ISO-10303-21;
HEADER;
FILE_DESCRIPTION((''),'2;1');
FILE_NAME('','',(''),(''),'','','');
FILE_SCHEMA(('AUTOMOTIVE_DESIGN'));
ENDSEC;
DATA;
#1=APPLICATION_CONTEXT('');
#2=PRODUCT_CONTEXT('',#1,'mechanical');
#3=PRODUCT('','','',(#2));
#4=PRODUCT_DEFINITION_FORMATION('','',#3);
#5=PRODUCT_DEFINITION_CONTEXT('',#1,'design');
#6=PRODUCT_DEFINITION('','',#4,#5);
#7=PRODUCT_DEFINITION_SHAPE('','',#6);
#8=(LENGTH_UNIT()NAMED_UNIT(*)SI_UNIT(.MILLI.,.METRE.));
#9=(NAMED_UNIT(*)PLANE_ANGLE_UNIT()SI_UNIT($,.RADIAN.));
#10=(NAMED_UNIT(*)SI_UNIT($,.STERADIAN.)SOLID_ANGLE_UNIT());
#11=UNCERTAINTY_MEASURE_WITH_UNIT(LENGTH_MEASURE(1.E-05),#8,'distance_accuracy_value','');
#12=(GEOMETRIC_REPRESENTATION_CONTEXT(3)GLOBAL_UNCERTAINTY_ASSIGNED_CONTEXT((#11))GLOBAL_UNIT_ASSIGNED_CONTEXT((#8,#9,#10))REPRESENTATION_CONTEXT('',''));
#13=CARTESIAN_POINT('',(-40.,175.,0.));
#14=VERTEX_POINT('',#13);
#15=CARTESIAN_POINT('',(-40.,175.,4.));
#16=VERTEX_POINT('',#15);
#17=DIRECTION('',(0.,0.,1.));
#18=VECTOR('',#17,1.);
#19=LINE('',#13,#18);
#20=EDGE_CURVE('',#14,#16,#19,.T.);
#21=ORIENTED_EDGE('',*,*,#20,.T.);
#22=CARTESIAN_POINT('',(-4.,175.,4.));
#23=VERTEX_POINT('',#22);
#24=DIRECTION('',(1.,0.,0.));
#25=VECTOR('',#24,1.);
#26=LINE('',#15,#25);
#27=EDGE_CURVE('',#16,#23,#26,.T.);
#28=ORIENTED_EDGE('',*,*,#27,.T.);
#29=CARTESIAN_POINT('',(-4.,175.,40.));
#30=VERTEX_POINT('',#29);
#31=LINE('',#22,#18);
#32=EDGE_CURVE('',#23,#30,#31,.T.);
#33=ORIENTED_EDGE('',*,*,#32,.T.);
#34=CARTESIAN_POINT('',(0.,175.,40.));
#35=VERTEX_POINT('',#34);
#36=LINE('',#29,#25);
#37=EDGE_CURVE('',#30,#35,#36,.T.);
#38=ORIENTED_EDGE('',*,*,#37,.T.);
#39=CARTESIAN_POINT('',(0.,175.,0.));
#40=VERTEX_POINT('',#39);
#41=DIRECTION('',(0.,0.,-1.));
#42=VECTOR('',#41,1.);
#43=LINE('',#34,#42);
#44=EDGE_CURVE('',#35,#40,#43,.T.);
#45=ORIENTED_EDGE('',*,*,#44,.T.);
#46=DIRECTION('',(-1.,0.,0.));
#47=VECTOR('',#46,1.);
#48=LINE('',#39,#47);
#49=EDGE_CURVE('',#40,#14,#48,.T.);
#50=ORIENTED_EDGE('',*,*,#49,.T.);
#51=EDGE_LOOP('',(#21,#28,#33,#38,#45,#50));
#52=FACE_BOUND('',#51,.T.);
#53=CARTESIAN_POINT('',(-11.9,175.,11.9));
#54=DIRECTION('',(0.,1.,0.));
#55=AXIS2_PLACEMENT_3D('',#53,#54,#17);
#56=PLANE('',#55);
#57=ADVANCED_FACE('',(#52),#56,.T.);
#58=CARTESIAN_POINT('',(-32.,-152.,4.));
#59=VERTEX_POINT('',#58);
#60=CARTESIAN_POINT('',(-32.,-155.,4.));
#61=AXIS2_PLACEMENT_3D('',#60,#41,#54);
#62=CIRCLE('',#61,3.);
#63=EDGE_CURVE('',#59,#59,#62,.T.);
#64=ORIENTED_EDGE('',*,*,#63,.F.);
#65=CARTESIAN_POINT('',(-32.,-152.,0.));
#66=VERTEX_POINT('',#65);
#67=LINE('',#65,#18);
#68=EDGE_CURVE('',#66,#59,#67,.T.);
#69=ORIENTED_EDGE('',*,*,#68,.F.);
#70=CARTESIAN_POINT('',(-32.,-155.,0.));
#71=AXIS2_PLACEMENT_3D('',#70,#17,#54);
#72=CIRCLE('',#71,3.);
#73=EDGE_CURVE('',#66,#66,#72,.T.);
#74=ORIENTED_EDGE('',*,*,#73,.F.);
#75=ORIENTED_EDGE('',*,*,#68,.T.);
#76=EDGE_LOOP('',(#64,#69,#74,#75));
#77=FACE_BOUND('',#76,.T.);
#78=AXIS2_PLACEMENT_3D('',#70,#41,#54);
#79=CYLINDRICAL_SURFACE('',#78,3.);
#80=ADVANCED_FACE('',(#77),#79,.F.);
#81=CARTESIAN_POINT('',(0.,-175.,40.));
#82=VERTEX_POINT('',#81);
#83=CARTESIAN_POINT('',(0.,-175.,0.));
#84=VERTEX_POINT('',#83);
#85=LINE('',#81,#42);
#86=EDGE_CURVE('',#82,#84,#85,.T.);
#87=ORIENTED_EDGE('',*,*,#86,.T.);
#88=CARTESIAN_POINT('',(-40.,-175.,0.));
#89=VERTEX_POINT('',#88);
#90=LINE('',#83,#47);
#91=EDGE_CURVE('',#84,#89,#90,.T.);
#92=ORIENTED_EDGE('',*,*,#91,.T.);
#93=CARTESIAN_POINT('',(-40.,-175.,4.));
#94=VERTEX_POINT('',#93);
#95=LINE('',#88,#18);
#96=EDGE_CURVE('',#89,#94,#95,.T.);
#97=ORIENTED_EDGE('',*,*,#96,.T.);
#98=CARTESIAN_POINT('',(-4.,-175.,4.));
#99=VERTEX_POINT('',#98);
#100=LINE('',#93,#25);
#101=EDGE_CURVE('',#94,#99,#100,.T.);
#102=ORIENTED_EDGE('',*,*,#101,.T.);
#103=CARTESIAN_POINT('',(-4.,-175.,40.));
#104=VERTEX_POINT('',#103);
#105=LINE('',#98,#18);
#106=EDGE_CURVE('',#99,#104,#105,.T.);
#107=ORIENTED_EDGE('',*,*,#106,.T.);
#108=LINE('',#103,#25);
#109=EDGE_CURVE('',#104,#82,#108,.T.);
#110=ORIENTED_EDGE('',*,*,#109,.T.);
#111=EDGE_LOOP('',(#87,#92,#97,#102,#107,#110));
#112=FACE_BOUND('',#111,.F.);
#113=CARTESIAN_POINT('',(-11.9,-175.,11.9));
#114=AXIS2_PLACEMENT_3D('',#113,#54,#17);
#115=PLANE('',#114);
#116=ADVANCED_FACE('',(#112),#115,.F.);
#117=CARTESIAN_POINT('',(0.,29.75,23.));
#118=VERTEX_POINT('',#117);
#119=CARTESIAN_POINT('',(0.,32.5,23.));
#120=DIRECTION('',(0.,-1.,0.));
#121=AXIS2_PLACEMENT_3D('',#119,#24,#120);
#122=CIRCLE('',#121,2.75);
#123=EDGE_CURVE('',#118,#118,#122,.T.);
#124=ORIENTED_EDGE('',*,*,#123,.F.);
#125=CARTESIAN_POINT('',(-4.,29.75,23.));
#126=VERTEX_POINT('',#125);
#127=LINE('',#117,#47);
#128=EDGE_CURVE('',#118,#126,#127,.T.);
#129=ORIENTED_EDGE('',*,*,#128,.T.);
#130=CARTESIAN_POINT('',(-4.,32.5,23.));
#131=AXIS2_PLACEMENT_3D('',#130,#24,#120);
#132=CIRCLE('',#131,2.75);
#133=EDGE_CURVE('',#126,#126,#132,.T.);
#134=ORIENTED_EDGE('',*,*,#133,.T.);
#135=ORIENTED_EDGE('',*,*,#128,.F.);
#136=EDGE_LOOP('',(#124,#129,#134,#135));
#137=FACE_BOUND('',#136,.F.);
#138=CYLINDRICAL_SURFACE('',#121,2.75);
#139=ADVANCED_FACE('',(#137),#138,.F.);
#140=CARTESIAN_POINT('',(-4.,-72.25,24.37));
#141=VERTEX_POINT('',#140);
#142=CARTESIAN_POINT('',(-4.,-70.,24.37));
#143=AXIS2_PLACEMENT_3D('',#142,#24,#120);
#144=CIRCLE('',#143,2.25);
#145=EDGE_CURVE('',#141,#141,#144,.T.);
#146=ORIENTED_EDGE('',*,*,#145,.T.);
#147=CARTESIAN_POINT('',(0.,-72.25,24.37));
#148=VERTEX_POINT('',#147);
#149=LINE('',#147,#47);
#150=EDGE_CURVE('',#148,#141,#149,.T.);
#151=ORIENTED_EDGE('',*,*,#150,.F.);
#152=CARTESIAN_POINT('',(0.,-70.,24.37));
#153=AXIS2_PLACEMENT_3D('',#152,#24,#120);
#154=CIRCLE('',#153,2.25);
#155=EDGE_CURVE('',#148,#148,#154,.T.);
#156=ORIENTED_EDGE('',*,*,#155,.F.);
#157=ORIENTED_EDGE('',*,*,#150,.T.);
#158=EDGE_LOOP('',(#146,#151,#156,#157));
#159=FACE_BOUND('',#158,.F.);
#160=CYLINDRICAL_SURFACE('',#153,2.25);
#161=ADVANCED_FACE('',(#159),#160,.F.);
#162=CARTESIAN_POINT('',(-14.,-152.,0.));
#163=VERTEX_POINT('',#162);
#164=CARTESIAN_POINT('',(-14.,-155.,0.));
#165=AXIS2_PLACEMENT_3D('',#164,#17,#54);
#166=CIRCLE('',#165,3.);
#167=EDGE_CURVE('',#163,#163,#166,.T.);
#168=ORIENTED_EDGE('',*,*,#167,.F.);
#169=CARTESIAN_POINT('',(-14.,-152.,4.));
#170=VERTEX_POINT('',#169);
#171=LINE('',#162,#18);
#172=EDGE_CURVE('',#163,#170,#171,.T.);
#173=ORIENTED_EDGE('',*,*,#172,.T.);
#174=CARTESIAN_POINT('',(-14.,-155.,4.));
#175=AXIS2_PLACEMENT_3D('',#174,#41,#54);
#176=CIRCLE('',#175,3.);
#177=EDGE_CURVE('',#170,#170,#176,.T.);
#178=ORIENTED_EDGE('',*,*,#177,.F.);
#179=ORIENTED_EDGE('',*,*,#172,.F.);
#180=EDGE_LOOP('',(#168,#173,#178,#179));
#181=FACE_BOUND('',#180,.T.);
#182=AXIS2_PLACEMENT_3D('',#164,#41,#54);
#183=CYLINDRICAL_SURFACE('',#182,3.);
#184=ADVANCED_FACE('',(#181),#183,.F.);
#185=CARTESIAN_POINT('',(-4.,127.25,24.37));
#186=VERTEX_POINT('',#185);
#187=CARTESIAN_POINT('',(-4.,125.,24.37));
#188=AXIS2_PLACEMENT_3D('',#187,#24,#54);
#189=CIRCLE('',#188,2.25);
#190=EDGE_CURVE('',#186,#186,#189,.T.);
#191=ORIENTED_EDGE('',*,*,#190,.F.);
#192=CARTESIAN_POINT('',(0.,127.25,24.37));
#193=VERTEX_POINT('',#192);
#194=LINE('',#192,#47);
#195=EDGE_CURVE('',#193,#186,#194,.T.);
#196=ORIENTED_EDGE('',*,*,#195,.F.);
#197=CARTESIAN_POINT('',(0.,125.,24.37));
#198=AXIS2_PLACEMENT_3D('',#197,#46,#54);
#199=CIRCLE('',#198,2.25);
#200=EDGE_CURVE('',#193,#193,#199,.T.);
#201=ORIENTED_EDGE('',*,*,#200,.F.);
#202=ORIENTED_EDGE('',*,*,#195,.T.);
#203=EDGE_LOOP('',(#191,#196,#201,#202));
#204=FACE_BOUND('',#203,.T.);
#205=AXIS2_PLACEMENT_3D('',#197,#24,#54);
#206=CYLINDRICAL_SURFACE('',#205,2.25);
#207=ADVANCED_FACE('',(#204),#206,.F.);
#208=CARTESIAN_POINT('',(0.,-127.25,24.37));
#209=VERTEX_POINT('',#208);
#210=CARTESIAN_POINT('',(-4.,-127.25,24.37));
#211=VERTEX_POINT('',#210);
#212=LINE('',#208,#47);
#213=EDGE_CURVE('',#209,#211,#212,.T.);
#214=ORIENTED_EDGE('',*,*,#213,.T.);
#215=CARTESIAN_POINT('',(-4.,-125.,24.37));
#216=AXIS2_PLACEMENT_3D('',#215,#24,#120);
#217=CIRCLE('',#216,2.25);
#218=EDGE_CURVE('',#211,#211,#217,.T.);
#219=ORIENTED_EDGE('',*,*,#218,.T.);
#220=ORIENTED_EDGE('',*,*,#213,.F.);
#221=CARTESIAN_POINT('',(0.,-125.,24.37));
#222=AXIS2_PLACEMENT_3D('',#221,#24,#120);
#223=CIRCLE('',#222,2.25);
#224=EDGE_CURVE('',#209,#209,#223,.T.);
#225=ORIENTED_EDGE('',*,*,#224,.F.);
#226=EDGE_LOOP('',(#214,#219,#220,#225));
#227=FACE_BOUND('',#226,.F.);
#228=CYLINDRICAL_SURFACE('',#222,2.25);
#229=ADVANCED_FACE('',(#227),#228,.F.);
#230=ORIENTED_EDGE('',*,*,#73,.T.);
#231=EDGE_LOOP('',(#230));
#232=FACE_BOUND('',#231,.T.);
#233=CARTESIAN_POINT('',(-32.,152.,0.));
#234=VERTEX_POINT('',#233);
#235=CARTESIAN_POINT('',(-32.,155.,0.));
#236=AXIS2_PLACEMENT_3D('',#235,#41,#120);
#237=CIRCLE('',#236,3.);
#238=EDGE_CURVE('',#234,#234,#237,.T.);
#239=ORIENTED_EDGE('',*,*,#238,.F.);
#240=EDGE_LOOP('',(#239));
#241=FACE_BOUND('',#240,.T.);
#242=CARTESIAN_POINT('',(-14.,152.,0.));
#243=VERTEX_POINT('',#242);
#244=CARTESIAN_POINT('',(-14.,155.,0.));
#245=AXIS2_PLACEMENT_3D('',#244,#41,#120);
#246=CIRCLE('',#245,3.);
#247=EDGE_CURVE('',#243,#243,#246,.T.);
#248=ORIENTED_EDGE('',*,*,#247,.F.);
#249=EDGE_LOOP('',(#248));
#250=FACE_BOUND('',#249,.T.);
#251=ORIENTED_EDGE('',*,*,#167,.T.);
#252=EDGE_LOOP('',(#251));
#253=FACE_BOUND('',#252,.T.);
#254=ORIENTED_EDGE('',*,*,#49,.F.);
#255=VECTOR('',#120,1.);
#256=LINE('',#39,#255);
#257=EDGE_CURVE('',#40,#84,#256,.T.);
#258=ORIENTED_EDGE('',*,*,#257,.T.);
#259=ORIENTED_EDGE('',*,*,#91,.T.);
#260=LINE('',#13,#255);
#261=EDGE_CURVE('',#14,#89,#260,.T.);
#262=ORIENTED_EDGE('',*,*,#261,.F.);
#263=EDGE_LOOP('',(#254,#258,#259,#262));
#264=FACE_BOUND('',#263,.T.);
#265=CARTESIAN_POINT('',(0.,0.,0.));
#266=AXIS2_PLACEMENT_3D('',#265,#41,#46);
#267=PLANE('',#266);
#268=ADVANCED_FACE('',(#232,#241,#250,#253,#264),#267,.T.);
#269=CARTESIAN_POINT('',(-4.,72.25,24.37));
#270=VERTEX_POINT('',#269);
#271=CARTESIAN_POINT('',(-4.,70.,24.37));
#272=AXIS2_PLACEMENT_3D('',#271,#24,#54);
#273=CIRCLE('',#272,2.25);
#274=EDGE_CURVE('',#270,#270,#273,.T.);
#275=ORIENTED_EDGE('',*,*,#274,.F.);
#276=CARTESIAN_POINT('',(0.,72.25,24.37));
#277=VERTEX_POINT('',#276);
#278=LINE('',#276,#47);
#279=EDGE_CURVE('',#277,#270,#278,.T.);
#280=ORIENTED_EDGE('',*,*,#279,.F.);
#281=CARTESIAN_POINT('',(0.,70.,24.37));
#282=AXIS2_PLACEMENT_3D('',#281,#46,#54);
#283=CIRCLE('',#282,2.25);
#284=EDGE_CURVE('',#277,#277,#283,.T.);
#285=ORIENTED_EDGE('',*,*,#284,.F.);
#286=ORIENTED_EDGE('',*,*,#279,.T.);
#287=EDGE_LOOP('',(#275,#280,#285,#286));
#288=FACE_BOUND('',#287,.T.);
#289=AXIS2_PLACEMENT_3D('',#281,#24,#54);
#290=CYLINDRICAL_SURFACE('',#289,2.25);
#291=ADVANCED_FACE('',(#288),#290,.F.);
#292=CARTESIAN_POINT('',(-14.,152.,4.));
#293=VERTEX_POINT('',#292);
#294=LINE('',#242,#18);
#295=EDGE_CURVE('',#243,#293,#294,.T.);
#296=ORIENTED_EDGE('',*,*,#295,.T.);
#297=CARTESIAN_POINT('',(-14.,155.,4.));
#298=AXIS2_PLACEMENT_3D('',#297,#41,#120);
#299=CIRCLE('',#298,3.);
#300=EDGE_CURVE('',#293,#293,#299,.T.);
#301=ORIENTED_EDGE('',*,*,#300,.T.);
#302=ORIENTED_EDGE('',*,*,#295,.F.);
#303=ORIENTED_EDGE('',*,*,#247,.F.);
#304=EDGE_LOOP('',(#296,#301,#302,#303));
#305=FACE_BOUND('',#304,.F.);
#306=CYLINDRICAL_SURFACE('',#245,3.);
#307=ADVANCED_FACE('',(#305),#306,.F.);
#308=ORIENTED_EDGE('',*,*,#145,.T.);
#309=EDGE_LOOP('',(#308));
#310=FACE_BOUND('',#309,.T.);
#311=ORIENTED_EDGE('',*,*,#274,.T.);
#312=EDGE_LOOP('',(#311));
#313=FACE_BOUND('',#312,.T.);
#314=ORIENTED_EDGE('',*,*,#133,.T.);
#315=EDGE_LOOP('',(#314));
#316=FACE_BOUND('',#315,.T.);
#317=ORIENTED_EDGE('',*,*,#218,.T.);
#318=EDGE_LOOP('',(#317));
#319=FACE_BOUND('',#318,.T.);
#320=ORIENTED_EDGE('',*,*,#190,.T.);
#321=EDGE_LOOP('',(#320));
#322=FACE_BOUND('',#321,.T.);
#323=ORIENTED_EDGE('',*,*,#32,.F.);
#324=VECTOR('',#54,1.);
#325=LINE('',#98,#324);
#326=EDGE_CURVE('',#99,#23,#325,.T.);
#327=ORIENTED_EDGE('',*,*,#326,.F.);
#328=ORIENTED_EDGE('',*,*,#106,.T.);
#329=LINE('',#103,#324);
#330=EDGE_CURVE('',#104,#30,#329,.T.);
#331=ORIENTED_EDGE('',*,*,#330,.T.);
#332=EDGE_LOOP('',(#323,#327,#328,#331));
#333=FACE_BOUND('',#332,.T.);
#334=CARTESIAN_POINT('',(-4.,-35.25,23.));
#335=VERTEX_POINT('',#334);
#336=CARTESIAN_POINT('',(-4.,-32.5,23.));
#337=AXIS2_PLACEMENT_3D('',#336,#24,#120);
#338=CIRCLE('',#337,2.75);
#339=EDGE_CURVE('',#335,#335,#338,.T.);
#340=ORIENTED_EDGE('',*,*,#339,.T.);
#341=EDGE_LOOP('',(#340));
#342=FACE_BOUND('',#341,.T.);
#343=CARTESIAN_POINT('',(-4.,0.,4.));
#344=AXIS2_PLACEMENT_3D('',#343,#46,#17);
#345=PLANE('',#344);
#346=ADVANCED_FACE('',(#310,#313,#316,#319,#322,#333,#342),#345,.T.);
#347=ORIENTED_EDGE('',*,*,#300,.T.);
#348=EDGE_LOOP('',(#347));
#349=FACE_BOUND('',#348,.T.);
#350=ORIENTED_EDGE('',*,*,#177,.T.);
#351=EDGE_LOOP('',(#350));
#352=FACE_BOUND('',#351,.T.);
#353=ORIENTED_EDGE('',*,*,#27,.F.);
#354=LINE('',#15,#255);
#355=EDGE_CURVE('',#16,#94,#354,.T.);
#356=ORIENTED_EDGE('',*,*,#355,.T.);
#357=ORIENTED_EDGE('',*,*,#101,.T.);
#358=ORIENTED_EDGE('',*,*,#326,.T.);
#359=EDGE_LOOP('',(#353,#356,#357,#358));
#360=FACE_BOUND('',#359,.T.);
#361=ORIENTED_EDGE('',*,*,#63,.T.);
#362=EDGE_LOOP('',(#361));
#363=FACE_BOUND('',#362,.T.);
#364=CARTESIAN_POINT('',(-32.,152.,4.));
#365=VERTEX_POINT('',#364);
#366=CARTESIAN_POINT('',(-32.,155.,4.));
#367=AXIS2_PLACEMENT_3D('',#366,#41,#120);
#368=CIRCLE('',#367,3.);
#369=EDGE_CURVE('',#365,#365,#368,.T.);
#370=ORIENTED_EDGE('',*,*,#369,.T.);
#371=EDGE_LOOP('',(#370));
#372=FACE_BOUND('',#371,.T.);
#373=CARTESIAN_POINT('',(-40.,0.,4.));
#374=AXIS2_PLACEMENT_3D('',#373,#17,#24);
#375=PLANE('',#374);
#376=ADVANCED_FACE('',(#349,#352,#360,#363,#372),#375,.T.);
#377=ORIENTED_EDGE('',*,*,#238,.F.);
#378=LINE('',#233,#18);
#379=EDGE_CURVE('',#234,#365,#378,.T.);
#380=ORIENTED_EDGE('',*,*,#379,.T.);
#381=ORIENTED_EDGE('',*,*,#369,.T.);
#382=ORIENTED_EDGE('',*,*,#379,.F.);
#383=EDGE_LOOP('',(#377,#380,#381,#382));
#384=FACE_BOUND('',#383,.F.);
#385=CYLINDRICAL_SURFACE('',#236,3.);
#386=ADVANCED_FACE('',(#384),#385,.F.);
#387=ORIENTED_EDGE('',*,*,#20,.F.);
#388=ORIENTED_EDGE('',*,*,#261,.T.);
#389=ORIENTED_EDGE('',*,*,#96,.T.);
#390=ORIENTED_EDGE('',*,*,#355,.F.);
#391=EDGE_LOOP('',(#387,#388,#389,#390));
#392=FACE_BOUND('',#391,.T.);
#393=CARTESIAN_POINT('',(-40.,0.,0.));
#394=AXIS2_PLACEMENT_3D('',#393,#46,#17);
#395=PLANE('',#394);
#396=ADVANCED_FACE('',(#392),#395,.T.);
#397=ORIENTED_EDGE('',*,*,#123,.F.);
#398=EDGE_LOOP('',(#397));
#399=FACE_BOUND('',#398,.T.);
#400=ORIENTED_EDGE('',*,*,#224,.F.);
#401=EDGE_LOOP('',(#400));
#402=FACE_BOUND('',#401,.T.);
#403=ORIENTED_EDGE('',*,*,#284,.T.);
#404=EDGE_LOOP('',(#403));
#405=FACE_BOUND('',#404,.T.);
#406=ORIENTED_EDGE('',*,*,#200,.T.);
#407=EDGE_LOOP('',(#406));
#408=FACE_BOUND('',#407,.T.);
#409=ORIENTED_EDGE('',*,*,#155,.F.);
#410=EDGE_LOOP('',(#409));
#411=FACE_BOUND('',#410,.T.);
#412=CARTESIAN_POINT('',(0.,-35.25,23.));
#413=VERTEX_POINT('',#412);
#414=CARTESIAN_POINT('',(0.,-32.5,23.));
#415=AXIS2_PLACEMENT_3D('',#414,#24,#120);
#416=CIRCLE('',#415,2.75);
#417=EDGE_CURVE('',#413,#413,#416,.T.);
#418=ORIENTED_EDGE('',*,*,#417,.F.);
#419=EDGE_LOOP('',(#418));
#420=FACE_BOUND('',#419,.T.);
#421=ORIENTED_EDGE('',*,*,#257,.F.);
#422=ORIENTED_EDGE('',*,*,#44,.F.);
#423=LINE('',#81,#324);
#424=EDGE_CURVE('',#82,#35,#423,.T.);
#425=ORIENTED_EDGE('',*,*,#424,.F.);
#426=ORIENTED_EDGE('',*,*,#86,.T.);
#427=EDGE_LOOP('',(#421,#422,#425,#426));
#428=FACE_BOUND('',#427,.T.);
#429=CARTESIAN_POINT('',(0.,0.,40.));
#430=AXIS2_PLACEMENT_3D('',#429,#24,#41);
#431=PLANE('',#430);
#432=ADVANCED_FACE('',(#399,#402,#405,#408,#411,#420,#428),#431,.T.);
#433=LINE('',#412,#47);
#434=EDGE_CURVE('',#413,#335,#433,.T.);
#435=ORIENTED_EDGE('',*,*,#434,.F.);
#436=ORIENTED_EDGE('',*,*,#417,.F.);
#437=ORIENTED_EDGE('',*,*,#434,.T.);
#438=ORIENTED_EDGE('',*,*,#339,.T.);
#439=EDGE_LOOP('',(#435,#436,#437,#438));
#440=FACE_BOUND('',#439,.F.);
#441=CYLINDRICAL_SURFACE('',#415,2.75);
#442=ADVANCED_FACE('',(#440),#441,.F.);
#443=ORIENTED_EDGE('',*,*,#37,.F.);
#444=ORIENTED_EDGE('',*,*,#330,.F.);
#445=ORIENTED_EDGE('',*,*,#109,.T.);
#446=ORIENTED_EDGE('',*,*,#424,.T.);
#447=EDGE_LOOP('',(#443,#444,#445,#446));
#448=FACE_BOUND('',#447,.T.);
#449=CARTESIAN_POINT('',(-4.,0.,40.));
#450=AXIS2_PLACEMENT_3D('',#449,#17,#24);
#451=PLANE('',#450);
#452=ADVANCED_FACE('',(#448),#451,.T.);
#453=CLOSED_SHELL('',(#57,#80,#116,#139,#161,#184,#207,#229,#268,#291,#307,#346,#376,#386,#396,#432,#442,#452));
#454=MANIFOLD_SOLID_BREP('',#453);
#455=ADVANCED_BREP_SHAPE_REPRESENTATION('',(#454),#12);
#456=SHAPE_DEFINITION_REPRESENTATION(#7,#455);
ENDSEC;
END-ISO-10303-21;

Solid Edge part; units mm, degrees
sketch "Sketch1" plane through (-9.04, 0, 33.0648) normal (0, -1, 0) x (1, 0, 0)
  line L0 (-30.96, -29.0648) -> (5.04, -29.0648)
  line L1 (5.04, -29.0648) -> (5.04, 6.9352)
  line L2 (5.04, 6.9352) -> (9.04, 6.9352)
  line L3 (9.04, 6.9352) -> (9.04, -33.0648)
  line L4 (9.04, -33.0648) -> (-30.96, -33.0648)
  line L5 (-30.96, -33.0648) -> (-30.96, -29.0648)
extrude "Protrusion1" add sketch "Sketch1" along normal mid plane 350
sketch "Sketch2" plane through (-20, 0, 0) normal (0, 0, -1) x (0, -1, 0)
  circle A0 centre (-155, 12) radius 3
  circle A1 centre (-155, -6) radius 3
  dimension "D1" = 10
  dimension "D2" = 18
  dimension "D3" = 20
extrude "Cutout1" cut sketch "Sketch2" against normal through all
mirror "Mirror1" about plane through (0, 0, 0) normal (0, -1, 0) of "Cutout1"
sketch "Sketch3" plane through (0, 0, 20) normal (1, 0, 0) x (0, -1, 0)
  circle A0 centre (-32.5, -3) radius 2.75
  circle A1 centre (32.5, -3) radius 2.75
  dimension "D1" = 65
  dimension "D2" = 5.5
  dimension "D3" = 23
extrude "Cutout2" cut sketch "Sketch3" against normal through all
sketch "Sketch4" plane through (0, 0, 20) normal (1, 0, 0) x (0, -1, 0)
  circle A0 centre (70, -4.37) radius 2.25
  circle A1 centre (125, -4.37) radius 2.25
  dimension "D1" = 4.5
  dimension "D2" = 15.63
  dimension "D3" = 55
  dimension "D4" = 50
extrude "Cutout3" cut sketch "Sketch4" against normal through all
mirror "Mirror2" about plane through (0, 0, 0) normal (0, -1, 0) of "Cutout3"
